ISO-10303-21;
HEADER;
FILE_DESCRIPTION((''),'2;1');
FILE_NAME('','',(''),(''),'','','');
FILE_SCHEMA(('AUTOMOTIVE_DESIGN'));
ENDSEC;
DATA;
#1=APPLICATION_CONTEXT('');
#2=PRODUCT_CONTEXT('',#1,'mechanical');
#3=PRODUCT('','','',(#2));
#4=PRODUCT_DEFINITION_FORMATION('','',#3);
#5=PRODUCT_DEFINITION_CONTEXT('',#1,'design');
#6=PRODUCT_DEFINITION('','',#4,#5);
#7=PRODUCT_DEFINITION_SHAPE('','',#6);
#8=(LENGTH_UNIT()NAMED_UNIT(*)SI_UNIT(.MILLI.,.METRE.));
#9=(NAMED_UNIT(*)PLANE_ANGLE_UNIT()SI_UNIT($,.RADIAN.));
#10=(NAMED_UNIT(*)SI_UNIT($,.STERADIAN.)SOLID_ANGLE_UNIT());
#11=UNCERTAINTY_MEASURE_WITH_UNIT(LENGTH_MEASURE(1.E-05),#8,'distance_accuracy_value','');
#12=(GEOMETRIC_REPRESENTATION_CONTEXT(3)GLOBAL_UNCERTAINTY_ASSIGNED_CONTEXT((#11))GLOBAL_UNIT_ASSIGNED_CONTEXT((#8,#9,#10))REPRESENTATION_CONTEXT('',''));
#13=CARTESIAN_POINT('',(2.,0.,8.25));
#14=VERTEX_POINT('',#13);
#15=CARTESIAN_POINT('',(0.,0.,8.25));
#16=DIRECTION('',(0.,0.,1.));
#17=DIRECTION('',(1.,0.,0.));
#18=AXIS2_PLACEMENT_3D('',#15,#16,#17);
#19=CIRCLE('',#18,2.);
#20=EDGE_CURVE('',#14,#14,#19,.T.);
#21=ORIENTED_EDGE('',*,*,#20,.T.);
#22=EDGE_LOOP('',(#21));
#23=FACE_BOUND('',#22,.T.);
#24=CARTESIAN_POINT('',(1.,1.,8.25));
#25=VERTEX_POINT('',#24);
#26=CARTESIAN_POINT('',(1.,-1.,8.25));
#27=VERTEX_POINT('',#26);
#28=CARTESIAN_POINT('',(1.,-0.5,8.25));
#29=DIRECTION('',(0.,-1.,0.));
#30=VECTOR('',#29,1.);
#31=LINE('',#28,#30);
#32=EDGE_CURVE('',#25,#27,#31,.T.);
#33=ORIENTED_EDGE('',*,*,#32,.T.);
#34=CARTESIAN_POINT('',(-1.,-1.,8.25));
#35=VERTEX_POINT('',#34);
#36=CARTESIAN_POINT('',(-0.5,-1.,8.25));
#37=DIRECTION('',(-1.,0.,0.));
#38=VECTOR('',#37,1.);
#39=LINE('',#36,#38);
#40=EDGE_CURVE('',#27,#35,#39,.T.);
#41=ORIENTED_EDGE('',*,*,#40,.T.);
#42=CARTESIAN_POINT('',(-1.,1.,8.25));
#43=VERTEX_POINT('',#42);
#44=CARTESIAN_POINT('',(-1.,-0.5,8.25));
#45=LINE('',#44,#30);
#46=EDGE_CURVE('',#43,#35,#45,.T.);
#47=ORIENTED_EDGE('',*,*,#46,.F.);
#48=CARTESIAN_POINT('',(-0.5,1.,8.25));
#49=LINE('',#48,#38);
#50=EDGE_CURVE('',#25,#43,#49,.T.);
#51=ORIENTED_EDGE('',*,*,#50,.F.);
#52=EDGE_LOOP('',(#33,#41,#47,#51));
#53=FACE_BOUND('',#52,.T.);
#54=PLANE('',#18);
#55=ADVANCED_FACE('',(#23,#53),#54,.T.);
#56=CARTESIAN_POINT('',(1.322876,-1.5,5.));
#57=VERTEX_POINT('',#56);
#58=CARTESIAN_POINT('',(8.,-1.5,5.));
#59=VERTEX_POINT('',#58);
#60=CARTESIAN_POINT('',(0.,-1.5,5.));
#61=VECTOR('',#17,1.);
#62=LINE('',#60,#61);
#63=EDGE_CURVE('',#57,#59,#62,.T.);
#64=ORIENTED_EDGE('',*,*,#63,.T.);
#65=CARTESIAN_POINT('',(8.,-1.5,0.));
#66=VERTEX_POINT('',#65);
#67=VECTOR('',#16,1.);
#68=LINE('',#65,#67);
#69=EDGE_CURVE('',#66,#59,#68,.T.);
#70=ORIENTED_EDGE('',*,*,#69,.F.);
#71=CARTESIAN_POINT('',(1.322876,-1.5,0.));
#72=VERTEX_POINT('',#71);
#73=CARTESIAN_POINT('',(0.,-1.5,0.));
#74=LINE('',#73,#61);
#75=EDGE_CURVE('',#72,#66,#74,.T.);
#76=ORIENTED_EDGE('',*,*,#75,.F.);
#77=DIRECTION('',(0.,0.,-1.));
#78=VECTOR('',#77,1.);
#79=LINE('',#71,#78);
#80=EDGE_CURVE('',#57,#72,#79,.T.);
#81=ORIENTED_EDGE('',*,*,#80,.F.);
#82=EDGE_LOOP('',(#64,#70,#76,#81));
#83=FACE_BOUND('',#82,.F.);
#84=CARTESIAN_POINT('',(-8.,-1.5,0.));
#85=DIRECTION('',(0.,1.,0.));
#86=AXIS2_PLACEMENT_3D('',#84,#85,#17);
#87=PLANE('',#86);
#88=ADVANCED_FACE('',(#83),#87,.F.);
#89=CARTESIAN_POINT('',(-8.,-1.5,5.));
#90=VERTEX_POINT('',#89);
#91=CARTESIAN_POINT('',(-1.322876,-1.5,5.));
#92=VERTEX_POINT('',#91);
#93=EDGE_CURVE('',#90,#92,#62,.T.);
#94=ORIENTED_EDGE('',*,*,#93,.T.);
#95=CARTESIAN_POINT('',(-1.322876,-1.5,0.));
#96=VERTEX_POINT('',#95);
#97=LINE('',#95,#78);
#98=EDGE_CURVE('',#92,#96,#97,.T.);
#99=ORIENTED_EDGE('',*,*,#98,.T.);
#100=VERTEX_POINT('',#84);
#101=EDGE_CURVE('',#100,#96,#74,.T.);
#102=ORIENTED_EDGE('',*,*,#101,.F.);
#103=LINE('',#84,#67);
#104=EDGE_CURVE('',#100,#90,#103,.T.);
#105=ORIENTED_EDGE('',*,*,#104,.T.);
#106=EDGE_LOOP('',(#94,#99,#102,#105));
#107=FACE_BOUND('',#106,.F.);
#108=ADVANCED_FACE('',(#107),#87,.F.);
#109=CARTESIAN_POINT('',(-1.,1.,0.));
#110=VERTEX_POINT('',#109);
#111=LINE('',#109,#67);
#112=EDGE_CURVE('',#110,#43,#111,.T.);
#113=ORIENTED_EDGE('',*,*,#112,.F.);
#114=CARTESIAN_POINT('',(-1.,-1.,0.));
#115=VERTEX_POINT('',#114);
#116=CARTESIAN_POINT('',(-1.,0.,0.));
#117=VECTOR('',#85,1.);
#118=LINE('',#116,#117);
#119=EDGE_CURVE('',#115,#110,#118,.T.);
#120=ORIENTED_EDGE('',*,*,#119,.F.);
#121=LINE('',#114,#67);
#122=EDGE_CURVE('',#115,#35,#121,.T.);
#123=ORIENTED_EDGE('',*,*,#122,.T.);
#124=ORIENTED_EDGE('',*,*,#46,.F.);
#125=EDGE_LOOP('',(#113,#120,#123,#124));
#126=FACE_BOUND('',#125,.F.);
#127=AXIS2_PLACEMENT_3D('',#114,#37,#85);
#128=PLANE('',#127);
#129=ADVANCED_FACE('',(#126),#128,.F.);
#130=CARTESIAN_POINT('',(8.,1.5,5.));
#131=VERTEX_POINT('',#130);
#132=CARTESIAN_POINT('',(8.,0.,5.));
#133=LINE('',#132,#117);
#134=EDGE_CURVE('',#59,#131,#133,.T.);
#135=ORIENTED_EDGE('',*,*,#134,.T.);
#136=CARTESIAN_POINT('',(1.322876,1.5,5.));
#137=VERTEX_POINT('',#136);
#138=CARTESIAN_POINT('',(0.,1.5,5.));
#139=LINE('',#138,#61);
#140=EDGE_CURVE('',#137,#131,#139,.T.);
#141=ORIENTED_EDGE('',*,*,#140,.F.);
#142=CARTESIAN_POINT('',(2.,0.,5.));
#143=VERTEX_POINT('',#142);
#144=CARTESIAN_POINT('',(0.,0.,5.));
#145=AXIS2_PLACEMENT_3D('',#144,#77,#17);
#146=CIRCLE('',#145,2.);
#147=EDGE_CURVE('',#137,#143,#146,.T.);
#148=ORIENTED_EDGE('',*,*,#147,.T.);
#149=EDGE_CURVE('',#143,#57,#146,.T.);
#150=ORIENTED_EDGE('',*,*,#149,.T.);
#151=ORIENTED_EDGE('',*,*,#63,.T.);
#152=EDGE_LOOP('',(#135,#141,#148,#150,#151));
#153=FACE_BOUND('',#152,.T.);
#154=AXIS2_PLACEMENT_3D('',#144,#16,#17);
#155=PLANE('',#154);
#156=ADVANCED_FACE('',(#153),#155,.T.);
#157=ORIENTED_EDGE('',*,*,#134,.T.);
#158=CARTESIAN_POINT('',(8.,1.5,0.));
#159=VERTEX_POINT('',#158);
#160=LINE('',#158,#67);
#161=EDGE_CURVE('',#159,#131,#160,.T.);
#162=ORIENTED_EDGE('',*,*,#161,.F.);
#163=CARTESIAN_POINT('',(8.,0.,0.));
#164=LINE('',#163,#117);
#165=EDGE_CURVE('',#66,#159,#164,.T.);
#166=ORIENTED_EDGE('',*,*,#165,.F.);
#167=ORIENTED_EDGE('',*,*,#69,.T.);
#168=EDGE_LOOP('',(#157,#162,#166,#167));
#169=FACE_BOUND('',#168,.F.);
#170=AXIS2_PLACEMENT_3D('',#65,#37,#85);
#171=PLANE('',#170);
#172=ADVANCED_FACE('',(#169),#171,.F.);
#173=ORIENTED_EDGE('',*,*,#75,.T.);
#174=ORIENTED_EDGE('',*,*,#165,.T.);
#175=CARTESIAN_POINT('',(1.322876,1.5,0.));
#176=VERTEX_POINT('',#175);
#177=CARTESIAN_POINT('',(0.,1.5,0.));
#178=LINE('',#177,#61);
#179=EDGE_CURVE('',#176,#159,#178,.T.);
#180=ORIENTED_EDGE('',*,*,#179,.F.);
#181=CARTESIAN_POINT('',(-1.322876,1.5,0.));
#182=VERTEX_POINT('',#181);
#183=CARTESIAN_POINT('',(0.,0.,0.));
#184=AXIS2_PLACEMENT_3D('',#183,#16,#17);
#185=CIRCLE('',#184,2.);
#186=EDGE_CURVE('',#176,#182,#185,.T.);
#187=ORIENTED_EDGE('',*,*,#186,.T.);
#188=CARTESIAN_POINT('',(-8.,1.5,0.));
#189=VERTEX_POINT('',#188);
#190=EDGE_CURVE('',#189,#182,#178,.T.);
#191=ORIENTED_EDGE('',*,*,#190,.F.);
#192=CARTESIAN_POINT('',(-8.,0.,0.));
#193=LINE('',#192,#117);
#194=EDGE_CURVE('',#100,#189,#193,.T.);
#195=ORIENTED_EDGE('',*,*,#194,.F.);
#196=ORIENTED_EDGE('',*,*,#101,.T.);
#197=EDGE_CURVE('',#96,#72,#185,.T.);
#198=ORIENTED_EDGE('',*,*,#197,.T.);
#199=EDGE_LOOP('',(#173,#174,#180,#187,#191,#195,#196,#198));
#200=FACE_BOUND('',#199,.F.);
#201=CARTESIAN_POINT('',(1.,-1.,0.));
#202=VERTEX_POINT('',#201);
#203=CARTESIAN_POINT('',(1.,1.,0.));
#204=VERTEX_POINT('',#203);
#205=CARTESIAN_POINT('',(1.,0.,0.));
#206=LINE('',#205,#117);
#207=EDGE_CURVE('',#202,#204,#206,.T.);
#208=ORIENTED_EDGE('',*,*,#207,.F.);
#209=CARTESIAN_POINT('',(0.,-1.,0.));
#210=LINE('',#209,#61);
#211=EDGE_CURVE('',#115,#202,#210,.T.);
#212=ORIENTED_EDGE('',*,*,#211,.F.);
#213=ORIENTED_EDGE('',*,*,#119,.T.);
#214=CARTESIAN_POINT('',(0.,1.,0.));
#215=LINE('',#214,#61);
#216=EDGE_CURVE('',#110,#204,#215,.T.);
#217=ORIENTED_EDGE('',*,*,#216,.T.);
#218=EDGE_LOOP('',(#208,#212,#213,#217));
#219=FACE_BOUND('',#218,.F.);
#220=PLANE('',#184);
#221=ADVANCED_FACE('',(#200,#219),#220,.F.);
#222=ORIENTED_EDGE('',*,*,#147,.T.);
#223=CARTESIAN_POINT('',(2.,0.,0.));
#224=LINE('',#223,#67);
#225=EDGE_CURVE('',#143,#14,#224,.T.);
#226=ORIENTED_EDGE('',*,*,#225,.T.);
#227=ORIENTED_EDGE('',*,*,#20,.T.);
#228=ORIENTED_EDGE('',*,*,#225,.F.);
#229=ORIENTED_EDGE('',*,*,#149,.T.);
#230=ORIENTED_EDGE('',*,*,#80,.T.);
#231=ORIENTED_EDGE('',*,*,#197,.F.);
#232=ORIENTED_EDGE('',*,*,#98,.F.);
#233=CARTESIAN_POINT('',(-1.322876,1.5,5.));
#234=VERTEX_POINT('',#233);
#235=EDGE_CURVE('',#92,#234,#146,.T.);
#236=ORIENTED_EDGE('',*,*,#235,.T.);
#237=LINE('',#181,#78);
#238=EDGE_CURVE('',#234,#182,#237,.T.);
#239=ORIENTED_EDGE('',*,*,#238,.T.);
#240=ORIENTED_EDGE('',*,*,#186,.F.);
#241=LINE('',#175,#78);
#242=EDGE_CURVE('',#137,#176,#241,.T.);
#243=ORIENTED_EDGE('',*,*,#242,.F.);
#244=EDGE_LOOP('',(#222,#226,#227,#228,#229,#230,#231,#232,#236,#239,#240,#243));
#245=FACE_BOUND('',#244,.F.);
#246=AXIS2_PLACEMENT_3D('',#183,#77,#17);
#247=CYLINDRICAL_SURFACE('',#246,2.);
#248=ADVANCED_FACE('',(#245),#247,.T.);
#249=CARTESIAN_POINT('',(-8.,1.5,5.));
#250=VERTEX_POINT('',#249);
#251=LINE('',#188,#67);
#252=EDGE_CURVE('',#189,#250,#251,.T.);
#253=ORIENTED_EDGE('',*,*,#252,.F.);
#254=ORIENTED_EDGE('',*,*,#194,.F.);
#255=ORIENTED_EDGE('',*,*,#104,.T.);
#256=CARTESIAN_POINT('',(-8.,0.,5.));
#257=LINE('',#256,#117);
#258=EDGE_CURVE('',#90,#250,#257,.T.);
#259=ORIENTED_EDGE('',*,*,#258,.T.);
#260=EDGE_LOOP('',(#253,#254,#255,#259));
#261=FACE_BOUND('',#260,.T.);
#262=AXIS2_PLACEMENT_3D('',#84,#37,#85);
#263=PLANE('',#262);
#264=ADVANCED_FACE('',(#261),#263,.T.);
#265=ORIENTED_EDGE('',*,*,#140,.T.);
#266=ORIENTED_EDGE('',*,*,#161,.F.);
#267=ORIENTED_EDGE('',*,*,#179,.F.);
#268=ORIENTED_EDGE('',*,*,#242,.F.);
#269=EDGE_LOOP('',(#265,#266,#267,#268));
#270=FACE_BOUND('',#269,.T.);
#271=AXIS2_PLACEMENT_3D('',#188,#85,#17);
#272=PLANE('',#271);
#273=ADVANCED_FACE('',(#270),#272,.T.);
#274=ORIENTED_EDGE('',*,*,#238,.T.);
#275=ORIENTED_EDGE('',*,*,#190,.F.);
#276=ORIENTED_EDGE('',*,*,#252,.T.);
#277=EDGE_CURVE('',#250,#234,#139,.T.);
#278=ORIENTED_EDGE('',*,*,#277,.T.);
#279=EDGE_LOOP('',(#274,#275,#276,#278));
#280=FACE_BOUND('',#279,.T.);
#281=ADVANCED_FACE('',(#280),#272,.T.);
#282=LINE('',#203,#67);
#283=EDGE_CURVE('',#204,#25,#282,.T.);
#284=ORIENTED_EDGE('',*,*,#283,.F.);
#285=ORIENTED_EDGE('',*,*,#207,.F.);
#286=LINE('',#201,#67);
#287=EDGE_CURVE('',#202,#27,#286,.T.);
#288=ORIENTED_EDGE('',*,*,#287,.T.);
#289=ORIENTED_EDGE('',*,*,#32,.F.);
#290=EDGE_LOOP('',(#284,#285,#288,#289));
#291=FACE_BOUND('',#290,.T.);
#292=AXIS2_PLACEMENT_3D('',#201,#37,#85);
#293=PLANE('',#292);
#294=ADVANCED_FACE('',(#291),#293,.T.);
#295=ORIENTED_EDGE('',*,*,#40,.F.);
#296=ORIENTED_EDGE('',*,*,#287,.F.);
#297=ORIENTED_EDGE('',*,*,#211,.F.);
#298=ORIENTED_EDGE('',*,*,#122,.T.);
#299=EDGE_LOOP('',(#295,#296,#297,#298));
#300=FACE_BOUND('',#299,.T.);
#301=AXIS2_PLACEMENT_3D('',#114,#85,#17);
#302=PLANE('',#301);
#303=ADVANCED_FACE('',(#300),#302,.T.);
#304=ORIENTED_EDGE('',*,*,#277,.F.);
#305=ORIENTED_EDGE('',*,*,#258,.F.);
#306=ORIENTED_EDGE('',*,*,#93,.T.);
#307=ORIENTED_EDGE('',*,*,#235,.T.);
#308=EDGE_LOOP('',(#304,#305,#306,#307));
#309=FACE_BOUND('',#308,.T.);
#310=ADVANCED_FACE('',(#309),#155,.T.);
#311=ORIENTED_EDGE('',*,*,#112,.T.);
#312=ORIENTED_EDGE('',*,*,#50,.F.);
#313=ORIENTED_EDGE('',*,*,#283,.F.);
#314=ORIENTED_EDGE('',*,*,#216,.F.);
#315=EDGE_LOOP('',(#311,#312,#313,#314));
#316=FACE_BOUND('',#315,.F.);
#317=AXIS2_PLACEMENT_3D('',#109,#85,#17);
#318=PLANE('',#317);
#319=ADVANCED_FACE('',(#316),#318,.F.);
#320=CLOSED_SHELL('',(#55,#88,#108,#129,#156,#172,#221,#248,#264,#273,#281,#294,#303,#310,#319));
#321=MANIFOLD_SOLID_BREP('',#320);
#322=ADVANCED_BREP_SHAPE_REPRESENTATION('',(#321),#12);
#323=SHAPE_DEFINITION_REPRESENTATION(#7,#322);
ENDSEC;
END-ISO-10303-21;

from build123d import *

# Parameters (mm, degrees)
BOX001_W       = 2
BOX001_H       = 2
BOX001_DEPTH   = 10
BOX_W          = 16
BOX_H          = 3
BOX_DEPTH      = 5
CYLINDER_R     = 2
CYLINDER_DEPTH = 8.25


with BuildPart() as cube001:
    # Box001 → Box001 (new body)
    with BuildSketch(Plane(origin=(-1, -1, 0), x_dir=(1, 0, 0), z_dir=(0, 0, 1))):
        with Locations((1, 1)):
            Rectangle(BOX001_W, BOX001_H)
    extrude(amount=BOX001_DEPTH)


with BuildPart() as cube:
    # Box → Box (new body)
    with BuildSketch(Plane(origin=(-8, -1.5, 0), x_dir=(1, 0, 0), z_dir=(0, 0, 1))):
        with Locations((8, 1.5)):
            Rectangle(BOX_W, BOX_H)
    extrude(amount=BOX_DEPTH)


with BuildPart() as cut:
    # Cylinder → Cylinder (new body)
    with BuildSketch(Plane.XY):
        Circle(CYLINDER_R)
    extrude(amount=CYLINDER_DEPTH)

    # Fusion: union Cube
    add(cube.part)

    # Cut: cut Cube001
    add(cube001.part, mode=Mode.SUBTRACT)


solid = cut.part
